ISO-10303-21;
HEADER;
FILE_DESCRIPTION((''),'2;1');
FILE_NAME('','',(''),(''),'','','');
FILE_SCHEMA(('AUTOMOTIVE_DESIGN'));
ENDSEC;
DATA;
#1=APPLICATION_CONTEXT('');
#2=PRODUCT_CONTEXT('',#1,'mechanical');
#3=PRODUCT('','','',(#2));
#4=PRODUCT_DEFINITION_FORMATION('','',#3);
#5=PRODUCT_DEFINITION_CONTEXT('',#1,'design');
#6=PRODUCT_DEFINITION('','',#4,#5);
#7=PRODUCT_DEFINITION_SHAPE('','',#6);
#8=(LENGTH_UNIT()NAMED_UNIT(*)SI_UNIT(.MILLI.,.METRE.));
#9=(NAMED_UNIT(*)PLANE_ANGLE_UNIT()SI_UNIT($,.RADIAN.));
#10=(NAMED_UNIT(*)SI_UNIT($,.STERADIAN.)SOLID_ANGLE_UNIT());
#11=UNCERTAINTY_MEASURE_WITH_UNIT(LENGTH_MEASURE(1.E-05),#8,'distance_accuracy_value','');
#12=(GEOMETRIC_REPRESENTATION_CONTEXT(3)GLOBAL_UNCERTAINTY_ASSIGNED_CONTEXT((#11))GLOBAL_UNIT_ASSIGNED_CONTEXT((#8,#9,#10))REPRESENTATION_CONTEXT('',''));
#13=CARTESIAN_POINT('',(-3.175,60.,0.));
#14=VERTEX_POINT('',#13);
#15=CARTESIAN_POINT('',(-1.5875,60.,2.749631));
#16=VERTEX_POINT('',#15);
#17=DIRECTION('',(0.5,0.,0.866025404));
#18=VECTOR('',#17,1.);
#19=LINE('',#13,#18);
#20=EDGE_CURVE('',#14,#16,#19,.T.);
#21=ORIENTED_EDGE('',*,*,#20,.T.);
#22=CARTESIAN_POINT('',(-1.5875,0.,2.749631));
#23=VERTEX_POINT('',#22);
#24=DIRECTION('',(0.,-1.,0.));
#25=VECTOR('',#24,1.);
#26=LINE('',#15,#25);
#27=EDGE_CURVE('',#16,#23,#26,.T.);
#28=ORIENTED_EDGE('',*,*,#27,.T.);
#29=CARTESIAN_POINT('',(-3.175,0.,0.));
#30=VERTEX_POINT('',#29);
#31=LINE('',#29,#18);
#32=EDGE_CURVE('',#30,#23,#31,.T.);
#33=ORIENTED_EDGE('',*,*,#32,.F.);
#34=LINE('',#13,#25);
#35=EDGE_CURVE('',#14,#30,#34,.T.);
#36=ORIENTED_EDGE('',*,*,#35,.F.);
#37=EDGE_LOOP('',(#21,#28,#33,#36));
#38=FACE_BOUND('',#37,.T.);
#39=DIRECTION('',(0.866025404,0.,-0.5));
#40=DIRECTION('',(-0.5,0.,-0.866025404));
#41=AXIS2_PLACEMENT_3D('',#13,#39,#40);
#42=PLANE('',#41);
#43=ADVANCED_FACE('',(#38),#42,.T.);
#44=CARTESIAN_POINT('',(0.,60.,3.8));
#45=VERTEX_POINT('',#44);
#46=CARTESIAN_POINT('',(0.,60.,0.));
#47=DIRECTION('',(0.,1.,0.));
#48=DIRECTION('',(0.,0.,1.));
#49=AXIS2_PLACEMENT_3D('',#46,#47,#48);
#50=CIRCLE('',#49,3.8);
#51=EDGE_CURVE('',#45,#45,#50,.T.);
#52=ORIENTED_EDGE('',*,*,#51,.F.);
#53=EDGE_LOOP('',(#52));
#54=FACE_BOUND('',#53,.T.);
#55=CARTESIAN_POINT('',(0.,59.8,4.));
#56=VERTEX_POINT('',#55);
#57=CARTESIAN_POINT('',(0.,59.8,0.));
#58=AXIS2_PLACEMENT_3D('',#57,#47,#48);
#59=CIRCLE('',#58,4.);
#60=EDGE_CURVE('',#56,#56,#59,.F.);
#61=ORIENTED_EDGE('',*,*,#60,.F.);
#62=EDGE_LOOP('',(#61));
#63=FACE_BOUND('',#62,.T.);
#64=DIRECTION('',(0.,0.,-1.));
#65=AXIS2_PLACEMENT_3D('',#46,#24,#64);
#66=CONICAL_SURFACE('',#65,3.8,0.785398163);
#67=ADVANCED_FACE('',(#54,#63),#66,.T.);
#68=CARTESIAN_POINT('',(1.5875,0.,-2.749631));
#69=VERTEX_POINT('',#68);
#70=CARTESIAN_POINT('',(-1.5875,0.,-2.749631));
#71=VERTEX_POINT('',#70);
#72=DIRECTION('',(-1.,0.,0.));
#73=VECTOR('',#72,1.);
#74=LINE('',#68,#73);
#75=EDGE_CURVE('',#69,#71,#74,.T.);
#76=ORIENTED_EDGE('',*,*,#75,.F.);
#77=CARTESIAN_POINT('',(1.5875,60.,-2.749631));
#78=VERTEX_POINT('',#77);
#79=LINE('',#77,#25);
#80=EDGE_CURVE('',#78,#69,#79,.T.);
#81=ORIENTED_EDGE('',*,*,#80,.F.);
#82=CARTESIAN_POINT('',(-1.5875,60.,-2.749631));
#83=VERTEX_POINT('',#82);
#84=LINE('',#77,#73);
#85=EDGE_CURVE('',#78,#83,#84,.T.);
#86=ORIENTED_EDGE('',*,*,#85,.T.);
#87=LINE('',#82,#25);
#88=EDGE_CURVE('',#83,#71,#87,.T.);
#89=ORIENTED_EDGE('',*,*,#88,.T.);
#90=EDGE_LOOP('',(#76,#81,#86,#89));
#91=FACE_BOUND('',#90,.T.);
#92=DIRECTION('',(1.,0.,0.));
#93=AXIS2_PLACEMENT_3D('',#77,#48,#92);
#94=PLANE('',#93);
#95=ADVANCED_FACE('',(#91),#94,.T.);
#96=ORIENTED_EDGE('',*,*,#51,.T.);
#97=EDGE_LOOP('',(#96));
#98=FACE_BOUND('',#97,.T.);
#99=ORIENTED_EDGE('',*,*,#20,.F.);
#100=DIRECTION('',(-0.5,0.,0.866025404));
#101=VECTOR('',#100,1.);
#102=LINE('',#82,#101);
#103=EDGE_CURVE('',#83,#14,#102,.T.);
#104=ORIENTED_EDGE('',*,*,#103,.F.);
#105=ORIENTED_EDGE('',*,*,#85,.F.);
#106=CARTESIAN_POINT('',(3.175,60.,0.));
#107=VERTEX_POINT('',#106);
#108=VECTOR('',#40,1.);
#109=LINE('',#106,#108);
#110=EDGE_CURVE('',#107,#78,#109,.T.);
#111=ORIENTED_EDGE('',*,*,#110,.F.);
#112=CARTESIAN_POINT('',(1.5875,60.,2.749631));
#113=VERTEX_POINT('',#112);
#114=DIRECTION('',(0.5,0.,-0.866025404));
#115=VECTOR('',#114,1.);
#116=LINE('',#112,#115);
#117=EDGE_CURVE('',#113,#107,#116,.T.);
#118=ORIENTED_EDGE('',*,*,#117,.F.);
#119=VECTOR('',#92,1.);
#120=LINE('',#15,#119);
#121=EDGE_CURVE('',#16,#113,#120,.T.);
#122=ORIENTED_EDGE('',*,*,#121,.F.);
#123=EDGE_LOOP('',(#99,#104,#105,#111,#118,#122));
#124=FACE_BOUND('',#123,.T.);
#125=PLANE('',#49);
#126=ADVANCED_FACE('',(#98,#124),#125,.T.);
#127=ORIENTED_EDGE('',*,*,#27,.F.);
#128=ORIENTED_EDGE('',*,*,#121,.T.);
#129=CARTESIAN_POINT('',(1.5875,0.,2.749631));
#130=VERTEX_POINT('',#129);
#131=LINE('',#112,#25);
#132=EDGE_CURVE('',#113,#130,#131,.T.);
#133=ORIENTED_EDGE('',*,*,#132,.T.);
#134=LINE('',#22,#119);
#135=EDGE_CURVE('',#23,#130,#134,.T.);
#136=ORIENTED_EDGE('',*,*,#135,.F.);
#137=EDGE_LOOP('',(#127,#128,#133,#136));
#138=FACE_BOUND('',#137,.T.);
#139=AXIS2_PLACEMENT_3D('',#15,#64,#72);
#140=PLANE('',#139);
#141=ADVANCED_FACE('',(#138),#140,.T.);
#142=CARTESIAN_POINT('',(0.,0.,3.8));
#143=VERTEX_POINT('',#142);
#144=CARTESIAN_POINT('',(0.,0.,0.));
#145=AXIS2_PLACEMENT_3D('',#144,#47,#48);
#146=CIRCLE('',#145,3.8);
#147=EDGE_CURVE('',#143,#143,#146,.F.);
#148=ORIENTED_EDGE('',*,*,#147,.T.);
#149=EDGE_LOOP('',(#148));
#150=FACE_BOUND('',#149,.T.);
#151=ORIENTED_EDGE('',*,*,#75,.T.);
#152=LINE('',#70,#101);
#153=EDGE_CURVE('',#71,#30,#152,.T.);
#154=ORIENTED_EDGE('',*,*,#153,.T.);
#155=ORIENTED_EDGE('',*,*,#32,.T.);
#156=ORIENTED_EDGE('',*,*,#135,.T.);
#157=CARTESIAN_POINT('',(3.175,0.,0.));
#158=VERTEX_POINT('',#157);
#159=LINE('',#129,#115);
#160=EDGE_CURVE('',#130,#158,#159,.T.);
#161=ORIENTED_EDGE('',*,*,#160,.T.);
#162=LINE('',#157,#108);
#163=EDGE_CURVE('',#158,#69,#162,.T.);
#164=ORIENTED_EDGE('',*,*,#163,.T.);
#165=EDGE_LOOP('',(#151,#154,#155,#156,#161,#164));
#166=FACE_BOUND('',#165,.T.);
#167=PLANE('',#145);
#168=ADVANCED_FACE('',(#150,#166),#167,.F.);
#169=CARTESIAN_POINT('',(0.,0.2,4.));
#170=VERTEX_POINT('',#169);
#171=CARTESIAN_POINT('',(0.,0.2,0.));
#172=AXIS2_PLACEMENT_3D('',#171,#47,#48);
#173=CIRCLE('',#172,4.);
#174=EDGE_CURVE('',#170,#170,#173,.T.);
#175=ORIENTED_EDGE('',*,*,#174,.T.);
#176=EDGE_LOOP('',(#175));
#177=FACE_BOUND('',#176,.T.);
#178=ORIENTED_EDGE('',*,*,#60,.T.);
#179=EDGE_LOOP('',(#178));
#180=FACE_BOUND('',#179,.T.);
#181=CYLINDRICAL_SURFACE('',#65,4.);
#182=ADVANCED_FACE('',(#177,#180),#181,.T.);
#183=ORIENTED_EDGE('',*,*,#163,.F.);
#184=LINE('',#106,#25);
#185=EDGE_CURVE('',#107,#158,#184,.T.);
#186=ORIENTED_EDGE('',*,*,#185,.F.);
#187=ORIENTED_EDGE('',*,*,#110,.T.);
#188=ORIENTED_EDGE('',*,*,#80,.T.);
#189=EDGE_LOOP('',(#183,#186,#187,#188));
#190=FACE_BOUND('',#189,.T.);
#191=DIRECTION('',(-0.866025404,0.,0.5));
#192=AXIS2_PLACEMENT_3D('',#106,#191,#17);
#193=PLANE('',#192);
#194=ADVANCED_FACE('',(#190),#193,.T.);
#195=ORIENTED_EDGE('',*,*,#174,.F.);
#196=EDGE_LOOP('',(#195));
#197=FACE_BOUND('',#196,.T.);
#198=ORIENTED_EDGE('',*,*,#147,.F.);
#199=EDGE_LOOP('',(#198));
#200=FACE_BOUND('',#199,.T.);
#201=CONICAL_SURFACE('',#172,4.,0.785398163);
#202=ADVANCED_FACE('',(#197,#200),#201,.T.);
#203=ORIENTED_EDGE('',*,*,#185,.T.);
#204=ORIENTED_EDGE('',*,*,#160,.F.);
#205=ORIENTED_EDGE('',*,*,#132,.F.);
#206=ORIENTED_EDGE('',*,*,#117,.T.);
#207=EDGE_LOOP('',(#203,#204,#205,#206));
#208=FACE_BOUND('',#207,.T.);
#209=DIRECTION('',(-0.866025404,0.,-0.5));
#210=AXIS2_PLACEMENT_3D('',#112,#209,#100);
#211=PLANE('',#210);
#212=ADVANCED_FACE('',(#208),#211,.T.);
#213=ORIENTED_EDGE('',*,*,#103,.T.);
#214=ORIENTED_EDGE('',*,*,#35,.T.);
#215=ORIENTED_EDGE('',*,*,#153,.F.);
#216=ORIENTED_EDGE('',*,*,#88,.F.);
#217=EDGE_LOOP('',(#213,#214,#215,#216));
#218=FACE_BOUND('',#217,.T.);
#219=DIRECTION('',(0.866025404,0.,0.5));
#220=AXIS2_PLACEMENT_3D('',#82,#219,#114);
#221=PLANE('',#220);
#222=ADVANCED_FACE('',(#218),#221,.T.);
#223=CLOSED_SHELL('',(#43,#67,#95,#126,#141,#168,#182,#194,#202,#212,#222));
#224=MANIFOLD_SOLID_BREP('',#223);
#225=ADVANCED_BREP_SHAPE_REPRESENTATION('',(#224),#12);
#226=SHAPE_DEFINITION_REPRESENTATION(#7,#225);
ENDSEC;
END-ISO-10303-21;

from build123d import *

# Parameters (mm, degrees)
SKETCH1_R           = 4
BOSS_EXTRUDE2_DEPTH = 60
CHAMFER1_SIZE       = 0.2


with BuildPart() as part:
    # Sketch1 → Boss-Extrude2 (new body)
    with BuildSketch(Plane(origin=(0, 0, 0), x_dir=(1, 0, 0), z_dir=(0, 1, 0))):
        with Locations(Location((0, 0, 0), (0, 0, 270))):
            Circle(SKETCH1_R)
        Polygon((3.175, 0), (1.5875, 2.749630657), (-1.5875, 2.749630657), (-3.175, 0), (-1.5875, -2.749630657), (1.5875, -2.749630657), align=None, mode=Mode.SUBTRACT)
    extrude(amount=BOSS_EXTRUDE2_DEPTH)

    # Chamfer1
    chamfer1_edges = [part.edges().sort_by_distance(p)[0] for p in [
        (0, 0, -4),
        (0, 60, -4),
    ]]
    chamfer(chamfer1_edges, length=CHAMFER1_SIZE)


solid = part.part
